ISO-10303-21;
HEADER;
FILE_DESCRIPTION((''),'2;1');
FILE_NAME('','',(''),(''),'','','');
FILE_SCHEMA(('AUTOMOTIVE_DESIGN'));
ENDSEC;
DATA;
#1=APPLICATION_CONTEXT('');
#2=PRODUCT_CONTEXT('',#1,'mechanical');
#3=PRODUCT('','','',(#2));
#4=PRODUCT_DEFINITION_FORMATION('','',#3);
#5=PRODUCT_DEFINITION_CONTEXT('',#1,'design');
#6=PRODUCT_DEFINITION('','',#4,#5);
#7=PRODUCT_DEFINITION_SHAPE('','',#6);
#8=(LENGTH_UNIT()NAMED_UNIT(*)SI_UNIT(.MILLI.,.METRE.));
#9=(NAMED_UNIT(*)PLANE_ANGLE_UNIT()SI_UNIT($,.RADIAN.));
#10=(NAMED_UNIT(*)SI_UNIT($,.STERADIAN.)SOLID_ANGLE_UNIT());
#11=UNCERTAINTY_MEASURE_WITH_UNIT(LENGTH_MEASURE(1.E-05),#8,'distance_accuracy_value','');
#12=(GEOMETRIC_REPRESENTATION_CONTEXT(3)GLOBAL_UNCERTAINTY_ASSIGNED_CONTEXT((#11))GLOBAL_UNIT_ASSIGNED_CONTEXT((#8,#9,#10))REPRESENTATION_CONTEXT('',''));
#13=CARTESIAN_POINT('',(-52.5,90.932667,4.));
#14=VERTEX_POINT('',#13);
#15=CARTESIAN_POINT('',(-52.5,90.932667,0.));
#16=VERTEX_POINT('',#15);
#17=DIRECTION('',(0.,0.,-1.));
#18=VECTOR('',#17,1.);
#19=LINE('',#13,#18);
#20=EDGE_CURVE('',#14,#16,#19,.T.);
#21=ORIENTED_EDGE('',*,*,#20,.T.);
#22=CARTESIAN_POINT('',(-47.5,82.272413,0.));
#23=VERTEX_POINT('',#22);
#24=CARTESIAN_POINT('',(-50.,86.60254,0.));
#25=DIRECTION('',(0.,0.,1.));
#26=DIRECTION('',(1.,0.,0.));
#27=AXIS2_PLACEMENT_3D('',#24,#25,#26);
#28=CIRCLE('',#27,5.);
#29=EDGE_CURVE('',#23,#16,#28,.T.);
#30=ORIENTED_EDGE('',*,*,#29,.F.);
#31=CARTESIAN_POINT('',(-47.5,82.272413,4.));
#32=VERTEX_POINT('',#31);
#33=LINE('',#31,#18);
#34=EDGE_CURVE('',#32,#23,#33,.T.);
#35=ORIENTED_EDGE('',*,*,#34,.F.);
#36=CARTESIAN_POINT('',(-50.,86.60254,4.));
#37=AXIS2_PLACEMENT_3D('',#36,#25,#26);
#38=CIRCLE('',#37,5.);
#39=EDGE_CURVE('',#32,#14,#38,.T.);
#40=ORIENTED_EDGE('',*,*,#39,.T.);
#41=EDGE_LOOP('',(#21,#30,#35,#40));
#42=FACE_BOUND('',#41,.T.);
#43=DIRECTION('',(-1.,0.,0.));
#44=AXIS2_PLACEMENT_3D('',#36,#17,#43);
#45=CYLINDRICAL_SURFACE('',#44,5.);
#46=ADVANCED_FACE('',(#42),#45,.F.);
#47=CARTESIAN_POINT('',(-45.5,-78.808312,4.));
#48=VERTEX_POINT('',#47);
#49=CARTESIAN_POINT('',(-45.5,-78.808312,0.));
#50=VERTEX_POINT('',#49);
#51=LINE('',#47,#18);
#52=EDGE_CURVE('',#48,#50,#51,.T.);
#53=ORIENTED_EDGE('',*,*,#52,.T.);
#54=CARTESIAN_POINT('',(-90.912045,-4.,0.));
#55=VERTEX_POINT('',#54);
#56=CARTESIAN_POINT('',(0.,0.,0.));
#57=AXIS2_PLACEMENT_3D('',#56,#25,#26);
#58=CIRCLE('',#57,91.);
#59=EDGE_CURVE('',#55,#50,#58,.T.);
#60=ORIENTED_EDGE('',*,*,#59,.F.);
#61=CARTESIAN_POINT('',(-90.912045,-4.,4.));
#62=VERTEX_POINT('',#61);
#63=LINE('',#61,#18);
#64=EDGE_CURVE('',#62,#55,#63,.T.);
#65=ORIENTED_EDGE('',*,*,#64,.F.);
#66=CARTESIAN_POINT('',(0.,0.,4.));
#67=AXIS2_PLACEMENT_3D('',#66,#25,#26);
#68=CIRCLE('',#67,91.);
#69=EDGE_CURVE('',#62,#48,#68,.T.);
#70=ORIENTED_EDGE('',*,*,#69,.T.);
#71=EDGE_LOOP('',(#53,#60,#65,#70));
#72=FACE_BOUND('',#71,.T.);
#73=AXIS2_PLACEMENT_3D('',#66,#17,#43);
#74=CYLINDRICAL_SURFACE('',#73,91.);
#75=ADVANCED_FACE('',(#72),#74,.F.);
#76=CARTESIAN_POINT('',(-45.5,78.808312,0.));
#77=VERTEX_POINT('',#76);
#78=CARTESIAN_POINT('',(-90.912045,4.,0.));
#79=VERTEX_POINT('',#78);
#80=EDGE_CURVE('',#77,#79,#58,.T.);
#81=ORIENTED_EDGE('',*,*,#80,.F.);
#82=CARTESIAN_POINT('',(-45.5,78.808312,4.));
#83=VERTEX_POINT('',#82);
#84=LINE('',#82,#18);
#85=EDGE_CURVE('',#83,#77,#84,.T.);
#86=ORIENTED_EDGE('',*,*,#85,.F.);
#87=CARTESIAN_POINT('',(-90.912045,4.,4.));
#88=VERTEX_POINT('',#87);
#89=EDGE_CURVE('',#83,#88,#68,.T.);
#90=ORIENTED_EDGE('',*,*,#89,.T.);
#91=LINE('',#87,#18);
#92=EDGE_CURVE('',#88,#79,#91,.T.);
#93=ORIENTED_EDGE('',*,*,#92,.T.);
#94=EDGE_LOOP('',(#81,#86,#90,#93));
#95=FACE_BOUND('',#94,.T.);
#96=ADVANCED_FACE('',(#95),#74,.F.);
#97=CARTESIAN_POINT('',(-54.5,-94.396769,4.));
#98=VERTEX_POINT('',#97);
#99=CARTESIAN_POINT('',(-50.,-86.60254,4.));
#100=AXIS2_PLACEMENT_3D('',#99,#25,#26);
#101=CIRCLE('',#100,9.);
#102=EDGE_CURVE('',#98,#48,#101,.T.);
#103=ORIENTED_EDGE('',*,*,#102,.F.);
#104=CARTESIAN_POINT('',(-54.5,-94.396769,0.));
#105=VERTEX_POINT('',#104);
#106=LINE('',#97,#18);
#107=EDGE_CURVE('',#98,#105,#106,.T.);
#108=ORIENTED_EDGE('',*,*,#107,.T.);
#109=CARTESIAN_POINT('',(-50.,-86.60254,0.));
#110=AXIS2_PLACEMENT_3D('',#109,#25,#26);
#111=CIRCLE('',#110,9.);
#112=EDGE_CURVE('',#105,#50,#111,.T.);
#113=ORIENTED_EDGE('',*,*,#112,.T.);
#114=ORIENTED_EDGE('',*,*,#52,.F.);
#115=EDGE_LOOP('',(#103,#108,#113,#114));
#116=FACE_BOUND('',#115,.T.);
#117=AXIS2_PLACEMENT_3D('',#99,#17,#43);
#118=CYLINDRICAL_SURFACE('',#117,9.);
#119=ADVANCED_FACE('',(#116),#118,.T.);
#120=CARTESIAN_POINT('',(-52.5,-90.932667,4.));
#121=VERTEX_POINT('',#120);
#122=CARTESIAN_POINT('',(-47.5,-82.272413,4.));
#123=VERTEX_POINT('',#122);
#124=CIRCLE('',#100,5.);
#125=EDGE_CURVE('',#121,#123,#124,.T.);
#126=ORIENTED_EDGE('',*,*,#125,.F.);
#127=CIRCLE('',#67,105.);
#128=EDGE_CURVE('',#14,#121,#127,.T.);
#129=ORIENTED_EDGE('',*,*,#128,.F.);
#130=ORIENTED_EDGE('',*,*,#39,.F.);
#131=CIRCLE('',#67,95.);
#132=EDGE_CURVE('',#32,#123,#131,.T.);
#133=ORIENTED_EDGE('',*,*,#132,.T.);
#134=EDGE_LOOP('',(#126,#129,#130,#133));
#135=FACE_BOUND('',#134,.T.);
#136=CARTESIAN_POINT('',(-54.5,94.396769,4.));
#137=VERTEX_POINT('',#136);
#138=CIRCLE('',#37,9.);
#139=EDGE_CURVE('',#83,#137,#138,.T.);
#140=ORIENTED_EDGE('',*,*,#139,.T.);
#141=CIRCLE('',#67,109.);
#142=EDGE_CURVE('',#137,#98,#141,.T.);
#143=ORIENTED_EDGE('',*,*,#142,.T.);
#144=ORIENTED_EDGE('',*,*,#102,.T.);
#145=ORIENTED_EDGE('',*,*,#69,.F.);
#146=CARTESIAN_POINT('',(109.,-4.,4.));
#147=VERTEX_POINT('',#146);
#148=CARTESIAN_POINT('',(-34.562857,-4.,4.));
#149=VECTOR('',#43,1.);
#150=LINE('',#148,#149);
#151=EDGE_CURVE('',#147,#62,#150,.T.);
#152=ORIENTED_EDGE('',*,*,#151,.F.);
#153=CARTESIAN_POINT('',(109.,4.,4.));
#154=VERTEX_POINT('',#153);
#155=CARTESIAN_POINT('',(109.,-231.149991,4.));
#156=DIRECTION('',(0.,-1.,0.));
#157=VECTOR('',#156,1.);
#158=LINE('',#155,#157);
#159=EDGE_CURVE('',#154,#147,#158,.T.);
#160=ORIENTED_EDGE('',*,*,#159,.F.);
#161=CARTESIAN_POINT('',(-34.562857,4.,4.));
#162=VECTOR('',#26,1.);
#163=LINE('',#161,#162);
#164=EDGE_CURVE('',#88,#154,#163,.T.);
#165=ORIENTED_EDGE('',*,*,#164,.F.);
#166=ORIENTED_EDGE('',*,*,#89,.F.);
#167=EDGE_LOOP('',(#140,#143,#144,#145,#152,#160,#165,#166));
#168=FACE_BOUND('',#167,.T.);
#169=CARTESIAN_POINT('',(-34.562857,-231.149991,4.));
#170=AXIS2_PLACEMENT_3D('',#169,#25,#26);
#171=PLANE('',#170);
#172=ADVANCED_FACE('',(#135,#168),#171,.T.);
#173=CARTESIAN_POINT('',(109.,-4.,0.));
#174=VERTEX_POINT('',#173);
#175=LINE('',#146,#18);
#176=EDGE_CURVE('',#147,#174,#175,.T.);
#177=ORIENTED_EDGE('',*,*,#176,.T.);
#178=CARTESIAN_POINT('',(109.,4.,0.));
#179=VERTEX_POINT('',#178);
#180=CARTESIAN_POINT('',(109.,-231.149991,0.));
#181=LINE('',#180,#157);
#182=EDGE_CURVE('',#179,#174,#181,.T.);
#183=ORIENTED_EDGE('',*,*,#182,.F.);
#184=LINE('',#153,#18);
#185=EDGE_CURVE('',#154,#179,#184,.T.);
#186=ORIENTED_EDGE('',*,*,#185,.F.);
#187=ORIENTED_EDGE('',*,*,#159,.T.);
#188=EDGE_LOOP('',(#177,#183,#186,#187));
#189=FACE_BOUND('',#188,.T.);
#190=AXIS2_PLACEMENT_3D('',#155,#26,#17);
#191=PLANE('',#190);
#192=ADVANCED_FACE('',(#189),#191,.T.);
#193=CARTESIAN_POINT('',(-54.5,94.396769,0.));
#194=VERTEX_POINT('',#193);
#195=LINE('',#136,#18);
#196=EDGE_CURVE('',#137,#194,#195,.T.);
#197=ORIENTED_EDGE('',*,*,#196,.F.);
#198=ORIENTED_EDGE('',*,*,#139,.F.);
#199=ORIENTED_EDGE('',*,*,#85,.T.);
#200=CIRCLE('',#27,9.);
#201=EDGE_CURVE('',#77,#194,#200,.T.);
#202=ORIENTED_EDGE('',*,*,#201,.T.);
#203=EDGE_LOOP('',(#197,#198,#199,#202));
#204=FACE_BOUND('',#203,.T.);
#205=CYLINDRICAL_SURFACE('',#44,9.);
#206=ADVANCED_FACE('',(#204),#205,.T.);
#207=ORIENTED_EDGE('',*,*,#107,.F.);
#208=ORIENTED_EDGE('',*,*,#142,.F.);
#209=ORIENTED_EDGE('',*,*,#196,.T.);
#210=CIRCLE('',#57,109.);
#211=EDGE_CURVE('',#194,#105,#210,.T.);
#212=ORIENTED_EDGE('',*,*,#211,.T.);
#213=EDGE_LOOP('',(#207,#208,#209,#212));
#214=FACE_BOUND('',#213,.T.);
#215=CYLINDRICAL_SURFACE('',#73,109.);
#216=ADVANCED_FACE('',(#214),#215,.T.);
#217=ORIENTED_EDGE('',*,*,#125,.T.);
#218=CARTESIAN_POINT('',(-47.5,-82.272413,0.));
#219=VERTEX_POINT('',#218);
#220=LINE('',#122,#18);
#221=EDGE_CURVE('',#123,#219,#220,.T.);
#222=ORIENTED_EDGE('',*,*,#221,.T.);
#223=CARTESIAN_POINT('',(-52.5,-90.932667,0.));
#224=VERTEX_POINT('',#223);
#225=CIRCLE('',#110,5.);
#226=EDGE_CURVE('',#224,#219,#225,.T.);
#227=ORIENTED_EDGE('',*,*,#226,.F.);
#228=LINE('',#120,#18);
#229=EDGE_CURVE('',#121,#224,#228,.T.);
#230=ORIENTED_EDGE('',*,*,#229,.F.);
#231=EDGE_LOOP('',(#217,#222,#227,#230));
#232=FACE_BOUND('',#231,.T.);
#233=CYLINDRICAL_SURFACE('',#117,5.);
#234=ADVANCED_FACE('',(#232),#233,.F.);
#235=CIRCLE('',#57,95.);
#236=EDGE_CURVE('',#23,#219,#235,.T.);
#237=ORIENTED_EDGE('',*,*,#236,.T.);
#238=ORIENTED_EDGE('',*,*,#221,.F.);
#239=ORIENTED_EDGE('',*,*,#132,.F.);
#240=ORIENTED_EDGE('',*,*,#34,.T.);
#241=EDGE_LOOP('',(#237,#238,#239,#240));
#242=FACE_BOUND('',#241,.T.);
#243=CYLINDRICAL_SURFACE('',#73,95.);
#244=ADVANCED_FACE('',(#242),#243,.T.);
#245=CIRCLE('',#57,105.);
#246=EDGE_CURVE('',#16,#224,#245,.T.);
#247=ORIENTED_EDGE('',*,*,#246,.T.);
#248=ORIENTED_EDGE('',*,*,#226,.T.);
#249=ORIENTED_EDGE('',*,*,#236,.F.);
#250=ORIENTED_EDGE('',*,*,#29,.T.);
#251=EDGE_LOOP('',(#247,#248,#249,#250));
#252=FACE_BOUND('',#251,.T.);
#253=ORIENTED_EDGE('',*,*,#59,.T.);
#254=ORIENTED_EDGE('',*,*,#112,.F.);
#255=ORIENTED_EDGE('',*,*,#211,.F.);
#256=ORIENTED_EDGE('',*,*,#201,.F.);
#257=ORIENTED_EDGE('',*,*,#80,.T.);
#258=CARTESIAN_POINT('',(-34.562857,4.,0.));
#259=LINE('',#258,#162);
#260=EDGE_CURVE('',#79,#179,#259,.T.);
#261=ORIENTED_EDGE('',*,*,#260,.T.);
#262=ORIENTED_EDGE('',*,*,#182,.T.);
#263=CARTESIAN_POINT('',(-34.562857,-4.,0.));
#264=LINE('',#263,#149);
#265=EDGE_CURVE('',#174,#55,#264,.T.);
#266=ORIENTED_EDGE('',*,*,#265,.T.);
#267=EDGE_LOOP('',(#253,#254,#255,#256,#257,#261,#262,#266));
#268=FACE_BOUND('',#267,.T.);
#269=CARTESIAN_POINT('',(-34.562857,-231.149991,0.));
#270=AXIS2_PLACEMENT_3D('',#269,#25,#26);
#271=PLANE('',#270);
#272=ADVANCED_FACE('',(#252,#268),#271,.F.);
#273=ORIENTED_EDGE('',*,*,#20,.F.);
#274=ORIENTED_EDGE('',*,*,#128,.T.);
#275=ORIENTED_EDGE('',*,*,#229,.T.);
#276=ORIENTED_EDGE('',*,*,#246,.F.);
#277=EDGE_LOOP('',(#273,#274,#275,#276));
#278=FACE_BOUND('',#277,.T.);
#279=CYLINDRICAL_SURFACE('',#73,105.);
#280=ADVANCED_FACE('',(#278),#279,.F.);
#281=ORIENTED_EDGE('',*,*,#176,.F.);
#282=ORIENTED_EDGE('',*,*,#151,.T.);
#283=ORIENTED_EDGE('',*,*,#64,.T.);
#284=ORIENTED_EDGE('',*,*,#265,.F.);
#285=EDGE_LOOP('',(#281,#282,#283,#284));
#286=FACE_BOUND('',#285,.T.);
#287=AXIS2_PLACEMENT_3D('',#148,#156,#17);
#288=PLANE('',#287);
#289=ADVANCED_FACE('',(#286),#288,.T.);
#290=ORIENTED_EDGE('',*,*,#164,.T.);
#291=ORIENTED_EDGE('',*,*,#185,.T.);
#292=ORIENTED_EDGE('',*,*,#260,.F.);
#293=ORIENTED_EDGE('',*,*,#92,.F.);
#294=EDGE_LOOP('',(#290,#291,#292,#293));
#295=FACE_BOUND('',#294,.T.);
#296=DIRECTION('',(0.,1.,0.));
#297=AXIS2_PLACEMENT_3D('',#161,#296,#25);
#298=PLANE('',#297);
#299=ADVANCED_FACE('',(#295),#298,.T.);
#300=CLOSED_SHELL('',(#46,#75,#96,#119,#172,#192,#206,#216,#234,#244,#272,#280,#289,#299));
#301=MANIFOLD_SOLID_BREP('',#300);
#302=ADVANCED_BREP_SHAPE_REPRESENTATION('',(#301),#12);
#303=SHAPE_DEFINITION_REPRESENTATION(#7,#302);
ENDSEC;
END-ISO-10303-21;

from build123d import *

# Parameters (mm, degrees)
EXTRUDE_1_DEPTH = 4


with BuildPart() as part:
    # 草图1 → 凸台-拉伸1 (new body)
    with BuildSketch(Plane.XY):
        with BuildLine():
            Line((-90.912045407, -4), (0, -4))
            Line((0, -4), (109, -4))
            Line((109, -4), (109, 4))
            Line((109, 4), (0, 4))
            Line((0, 4), (-90.912045407, 4))
            ThreePointArc((-90.912045407, 4), (-77.789024994, 47.221473828), (-45.5, 78.808311744))
            ThreePointArc((-45.5, 78.808311744), (-42.205771366, 91.102540378), (-54.5, 94.396769013))
            ThreePointArc((-54.5, 94.396769013), (-109, 0), (-54.5, -94.396769013))
            ThreePointArc((-54.5, -94.396769013), (-42.205771366, -91.102540378), (-45.5, -78.808311744))
            ThreePointArc((-45.5, -78.808311744), (-77.789024994, -47.221473828), (-90.912045407, -4))
        make_face()
        with BuildLine():
            ThreePointArc((-52.5, -90.932667397), (-105, 0), (-52.5, 90.932667397))
            ThreePointArc((-52.5, 90.932667397), (-45.669872981, 89.102540378), (-47.5, 82.27241336))
            ThreePointArc((-47.5, 82.27241336), (-95, 0), (-47.5, -82.27241336))
            ThreePointArc((-47.5, -82.27241336), (-45.669872981, -89.102540378), (-52.5, -90.932667397))
        make_face(mode=Mode.SUBTRACT)
    extrude(amount=EXTRUDE_1_DEPTH)


solid = part.part
